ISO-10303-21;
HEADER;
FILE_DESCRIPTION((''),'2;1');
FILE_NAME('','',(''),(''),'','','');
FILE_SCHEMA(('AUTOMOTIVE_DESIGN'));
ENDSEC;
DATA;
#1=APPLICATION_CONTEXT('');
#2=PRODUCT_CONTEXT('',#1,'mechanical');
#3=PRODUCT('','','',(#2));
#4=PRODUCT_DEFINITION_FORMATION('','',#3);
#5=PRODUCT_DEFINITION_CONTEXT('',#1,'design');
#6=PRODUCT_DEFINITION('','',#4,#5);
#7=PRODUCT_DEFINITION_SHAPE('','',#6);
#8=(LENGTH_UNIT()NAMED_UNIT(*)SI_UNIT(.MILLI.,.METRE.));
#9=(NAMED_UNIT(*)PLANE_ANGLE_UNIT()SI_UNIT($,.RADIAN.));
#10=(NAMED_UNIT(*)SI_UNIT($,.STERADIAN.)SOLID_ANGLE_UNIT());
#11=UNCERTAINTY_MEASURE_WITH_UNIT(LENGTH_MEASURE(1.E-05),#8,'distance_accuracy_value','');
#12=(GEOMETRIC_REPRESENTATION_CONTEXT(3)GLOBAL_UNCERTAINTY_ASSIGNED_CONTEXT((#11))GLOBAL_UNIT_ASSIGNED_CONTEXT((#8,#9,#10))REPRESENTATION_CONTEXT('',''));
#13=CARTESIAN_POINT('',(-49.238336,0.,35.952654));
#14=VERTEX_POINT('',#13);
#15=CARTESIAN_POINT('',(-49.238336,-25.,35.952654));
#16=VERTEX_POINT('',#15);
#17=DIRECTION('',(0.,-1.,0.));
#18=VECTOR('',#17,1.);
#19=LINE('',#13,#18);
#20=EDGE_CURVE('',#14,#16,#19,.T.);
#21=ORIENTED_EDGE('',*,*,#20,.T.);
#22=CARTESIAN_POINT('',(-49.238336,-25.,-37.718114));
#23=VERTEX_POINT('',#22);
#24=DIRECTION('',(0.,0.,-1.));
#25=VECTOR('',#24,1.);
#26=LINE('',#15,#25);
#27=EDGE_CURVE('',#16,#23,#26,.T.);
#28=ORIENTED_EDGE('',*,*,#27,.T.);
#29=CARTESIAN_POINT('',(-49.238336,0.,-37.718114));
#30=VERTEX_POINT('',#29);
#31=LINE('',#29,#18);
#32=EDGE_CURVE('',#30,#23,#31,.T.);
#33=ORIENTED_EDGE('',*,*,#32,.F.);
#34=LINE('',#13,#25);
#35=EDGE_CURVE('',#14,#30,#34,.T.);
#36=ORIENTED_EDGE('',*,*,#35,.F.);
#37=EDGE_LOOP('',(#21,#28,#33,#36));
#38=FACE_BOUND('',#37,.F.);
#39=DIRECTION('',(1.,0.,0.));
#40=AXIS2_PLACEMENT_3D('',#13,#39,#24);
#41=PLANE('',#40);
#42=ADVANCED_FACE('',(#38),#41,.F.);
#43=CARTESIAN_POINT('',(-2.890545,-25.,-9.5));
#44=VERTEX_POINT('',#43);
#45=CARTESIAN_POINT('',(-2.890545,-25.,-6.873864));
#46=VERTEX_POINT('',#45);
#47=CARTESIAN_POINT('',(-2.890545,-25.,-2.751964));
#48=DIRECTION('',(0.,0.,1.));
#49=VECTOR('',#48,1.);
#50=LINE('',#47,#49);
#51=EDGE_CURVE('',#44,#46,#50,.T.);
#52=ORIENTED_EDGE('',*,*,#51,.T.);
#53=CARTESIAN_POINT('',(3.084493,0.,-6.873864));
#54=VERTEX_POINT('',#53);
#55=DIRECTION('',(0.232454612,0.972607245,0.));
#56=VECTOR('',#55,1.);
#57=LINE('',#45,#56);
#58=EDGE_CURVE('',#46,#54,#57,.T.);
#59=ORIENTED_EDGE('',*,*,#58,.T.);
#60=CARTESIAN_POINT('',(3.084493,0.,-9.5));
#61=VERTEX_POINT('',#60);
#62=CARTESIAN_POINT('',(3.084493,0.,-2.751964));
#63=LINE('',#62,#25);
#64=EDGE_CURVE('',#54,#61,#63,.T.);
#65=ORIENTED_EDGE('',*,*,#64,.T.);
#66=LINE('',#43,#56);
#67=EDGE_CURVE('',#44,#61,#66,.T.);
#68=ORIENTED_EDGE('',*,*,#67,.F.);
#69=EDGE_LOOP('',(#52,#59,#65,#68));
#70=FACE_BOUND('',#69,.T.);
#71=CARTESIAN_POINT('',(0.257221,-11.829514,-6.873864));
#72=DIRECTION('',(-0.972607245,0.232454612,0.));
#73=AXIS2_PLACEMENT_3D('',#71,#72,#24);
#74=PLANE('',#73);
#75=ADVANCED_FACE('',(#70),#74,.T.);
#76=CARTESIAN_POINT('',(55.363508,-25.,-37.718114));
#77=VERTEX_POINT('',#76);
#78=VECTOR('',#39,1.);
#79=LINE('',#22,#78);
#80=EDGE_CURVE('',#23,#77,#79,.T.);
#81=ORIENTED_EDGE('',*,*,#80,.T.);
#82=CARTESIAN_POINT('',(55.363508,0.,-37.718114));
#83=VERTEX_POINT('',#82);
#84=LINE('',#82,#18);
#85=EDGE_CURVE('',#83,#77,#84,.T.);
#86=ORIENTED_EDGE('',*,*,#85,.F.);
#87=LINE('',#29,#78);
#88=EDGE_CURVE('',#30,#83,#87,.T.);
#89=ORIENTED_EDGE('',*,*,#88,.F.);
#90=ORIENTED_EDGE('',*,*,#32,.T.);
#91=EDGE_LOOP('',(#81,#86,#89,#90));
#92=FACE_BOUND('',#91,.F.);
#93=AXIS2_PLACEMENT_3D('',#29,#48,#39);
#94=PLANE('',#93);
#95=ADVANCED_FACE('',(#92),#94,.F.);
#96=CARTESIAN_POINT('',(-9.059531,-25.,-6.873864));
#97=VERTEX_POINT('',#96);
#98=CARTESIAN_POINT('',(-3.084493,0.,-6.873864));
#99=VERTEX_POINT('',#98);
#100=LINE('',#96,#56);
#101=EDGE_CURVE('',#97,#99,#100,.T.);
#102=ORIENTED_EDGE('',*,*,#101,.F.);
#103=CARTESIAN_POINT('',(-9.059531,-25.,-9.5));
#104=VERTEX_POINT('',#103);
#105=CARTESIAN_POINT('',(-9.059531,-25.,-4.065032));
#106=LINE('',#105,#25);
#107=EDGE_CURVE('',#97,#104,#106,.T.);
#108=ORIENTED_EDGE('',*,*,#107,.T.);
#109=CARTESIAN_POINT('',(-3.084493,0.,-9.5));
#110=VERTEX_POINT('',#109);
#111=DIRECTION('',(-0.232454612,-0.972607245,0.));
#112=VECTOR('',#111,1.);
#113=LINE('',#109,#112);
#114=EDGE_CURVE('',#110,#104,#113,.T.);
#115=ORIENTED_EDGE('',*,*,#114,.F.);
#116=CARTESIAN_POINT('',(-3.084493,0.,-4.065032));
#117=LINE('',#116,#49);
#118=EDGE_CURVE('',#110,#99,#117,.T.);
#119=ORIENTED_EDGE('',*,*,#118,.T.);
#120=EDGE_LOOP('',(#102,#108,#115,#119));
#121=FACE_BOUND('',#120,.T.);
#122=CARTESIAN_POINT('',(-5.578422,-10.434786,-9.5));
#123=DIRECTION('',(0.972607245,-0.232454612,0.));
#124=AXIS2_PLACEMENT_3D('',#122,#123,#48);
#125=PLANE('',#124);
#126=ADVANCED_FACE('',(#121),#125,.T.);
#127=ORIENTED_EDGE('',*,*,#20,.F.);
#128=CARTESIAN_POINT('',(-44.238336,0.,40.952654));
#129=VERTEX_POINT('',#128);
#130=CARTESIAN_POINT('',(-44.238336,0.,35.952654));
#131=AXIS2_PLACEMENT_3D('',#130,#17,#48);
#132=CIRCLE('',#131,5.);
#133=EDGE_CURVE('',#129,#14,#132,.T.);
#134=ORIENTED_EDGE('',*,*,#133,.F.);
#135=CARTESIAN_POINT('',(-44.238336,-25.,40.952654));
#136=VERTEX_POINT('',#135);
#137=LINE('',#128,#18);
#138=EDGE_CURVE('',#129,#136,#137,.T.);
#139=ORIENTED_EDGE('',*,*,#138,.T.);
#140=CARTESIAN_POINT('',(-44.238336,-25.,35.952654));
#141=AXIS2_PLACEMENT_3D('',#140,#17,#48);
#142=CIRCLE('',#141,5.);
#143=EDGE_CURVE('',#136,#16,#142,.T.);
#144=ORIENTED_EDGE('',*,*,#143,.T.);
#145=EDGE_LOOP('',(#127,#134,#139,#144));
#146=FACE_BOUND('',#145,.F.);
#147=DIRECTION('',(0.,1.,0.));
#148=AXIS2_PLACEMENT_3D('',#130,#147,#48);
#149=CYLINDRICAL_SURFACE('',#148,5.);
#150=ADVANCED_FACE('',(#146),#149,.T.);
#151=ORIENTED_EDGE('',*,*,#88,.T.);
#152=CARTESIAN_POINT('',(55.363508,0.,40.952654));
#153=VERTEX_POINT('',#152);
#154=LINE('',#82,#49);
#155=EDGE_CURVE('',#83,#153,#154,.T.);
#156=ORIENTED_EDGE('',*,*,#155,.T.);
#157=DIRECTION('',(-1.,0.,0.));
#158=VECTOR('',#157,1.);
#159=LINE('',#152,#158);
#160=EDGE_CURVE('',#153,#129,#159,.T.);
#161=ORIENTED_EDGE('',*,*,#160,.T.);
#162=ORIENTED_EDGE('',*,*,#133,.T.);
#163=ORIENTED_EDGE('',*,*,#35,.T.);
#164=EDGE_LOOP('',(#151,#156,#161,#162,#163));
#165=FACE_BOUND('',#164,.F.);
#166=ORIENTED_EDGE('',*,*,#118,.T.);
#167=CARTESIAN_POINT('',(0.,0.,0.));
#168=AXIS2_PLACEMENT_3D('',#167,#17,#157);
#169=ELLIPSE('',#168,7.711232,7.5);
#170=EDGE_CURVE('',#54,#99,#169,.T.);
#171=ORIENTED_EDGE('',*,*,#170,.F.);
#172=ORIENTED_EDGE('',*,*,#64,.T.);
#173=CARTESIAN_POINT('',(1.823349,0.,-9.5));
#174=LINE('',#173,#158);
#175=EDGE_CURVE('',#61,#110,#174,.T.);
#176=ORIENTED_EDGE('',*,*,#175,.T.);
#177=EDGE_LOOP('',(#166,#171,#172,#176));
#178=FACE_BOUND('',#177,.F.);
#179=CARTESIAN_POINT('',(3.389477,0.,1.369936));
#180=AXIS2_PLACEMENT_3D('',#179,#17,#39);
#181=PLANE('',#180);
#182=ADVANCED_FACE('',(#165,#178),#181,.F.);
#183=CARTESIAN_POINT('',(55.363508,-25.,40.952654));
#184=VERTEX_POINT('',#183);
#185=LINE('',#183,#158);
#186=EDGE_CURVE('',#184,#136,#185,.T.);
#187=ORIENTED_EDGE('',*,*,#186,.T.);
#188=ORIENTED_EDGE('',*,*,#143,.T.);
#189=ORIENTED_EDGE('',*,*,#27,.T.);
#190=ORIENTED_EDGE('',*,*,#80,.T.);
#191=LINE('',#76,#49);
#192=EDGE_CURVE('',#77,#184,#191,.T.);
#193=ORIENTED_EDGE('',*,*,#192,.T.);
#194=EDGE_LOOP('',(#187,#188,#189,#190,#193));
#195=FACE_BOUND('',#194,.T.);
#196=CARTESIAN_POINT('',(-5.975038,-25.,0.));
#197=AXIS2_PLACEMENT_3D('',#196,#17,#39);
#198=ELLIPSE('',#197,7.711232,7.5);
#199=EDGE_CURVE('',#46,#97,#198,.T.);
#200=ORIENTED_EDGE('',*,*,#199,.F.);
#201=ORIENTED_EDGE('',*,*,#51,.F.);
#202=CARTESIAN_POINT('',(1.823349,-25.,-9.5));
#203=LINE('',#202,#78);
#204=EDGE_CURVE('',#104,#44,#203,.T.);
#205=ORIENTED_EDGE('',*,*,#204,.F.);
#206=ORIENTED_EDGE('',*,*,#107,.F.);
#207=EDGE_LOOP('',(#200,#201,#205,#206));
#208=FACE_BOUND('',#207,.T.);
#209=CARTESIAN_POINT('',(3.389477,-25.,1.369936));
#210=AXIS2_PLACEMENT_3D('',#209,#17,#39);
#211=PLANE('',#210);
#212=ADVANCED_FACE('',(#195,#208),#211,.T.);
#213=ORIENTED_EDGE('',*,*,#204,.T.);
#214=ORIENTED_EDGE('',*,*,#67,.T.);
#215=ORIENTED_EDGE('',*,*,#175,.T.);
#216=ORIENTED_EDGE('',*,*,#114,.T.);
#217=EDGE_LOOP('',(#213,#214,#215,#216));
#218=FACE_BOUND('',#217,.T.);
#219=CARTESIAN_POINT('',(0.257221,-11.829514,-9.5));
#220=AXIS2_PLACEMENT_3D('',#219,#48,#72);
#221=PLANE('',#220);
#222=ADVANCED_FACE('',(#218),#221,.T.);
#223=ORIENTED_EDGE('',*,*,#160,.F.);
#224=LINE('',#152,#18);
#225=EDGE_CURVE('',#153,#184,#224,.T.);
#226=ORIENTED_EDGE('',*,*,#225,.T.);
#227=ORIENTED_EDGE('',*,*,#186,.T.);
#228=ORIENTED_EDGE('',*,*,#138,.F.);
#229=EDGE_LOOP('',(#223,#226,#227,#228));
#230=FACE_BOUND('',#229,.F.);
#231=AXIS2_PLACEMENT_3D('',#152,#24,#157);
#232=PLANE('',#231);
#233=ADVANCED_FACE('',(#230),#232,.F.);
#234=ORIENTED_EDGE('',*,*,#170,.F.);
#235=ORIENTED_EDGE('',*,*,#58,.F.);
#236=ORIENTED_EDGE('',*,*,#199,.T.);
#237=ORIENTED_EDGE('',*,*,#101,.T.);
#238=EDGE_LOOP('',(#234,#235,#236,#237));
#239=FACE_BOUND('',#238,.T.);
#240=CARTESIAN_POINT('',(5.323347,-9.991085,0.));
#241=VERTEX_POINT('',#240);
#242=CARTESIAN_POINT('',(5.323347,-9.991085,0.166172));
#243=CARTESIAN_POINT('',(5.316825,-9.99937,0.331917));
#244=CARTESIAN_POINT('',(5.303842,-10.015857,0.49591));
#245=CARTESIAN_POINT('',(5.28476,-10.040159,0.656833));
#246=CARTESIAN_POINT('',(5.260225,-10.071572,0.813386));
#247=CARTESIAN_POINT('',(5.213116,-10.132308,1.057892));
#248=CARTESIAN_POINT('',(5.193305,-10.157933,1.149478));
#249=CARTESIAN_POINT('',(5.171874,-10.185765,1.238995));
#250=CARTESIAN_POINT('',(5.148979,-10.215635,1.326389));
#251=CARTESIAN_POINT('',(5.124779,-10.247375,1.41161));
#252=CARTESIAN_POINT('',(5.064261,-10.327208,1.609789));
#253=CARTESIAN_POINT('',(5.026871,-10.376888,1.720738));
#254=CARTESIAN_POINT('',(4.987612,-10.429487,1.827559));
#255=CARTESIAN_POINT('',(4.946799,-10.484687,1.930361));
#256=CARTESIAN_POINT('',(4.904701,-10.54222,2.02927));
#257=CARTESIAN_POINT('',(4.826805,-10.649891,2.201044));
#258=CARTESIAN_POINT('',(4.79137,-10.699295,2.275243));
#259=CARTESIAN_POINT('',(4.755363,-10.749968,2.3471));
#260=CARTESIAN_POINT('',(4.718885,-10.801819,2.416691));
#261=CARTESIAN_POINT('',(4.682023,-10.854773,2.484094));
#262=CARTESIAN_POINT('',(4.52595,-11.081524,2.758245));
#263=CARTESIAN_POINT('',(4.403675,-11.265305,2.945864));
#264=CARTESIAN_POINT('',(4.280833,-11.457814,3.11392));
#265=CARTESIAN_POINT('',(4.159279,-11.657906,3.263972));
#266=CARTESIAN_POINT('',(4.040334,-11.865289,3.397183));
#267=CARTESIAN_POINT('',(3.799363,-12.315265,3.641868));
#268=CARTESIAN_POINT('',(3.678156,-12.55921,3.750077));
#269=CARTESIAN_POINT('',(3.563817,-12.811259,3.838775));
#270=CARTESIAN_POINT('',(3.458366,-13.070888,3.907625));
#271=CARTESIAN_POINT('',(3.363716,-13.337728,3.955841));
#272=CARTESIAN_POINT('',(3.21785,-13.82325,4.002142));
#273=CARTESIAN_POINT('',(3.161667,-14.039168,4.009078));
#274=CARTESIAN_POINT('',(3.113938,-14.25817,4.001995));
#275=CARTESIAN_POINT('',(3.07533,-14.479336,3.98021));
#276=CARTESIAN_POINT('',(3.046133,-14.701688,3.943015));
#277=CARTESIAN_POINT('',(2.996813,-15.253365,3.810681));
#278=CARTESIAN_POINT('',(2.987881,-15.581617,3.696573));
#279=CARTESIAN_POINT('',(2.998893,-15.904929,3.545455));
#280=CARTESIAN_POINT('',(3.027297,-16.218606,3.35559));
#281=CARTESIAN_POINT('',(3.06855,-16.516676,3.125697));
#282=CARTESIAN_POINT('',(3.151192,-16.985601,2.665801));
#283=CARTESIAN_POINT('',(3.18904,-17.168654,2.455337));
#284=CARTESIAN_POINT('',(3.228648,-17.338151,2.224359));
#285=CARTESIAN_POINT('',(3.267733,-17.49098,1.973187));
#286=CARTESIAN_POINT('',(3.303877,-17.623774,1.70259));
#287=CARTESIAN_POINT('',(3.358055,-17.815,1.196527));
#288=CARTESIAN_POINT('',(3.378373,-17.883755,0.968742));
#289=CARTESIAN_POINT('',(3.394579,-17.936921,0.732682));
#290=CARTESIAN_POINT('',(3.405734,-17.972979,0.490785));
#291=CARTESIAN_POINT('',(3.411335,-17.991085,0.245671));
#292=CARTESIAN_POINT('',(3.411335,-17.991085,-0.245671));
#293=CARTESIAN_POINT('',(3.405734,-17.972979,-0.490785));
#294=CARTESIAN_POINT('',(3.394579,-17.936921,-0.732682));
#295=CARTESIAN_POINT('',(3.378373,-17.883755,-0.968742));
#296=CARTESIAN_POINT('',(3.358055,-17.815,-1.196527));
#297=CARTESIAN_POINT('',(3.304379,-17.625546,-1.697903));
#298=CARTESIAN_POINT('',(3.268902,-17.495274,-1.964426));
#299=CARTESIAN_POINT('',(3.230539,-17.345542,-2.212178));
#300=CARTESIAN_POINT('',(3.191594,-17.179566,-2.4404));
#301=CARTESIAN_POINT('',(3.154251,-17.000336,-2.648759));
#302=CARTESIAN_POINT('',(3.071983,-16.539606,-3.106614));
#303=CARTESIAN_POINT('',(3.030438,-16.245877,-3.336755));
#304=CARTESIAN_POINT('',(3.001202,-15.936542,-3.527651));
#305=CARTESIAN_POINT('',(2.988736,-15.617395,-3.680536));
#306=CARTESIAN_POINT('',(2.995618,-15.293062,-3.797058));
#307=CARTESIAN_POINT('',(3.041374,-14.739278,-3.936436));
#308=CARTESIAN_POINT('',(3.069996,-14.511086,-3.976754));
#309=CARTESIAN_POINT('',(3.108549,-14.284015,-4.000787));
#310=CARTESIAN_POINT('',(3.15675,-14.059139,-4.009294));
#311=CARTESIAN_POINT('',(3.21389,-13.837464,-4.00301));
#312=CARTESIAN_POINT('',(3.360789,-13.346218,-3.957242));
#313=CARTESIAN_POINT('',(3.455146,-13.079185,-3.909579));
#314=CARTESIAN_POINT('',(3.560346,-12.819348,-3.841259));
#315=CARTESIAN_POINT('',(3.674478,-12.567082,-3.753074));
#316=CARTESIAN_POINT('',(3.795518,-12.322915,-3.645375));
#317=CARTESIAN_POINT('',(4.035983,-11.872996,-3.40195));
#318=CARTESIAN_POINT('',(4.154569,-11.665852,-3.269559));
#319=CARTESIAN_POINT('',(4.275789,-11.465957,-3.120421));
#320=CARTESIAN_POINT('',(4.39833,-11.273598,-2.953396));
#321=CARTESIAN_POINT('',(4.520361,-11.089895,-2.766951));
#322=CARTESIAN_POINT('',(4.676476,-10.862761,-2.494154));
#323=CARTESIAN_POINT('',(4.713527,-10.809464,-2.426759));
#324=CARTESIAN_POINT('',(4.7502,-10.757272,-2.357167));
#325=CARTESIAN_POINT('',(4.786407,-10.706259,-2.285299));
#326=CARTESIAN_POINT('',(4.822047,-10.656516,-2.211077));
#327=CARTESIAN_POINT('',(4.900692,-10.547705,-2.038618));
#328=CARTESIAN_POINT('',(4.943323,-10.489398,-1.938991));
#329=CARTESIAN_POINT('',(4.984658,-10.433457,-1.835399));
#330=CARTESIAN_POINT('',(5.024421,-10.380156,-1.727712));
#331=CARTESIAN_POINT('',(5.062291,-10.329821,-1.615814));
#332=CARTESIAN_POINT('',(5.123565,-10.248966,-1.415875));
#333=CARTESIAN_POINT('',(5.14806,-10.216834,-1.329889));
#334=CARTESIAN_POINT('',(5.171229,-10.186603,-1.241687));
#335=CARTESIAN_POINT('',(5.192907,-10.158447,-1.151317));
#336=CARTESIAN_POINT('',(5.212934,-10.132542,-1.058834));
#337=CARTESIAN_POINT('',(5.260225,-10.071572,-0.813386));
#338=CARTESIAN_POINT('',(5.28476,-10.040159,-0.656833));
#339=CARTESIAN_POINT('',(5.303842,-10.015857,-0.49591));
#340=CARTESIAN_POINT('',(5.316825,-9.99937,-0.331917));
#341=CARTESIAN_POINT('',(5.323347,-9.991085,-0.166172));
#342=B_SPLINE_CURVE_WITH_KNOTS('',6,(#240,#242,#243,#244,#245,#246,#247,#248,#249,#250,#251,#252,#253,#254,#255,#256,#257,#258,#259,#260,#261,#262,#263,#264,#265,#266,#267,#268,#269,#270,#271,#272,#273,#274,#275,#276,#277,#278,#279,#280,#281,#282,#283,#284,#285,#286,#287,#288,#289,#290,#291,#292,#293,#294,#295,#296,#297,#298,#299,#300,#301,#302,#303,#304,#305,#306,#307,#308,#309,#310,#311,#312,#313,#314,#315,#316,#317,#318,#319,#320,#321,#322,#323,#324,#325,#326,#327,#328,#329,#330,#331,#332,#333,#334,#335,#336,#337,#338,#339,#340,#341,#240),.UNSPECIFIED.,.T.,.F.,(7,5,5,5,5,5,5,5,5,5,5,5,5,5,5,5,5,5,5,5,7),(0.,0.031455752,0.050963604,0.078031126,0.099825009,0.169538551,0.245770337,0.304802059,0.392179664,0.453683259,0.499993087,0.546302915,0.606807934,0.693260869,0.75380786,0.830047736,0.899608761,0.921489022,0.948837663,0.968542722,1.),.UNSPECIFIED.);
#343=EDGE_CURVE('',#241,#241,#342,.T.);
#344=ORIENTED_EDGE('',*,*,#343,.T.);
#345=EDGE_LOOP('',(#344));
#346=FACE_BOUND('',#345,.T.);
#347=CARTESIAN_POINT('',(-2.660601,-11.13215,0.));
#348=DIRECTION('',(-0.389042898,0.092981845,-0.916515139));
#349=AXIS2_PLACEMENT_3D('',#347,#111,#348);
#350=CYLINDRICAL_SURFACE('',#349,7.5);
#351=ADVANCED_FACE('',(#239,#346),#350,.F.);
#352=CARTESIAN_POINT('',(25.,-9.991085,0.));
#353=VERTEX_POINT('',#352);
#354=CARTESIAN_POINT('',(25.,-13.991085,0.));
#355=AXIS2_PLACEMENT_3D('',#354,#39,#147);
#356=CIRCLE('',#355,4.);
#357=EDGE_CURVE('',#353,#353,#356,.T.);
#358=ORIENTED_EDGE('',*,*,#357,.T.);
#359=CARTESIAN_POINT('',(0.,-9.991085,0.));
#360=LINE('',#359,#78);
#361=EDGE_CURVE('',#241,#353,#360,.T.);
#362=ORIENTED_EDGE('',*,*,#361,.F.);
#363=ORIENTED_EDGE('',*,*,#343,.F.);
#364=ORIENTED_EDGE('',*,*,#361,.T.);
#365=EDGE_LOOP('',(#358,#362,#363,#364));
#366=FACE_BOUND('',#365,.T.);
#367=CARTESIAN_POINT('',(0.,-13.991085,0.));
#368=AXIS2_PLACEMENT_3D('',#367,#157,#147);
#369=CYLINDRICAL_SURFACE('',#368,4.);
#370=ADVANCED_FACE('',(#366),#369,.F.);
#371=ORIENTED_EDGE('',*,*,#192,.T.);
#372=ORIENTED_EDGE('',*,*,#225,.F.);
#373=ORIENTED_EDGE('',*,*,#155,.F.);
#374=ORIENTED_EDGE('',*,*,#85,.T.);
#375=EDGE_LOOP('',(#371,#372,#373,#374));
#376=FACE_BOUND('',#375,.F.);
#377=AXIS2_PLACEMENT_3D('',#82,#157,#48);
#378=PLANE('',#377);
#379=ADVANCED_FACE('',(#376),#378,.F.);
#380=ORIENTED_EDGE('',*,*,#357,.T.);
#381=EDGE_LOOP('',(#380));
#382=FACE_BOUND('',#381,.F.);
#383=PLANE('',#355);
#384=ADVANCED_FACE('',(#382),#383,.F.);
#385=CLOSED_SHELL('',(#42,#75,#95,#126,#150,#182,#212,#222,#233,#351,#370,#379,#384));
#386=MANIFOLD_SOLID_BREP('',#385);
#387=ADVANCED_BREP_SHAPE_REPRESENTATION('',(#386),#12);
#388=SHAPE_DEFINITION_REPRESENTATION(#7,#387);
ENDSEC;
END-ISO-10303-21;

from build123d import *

# Parameters (mm, degrees)
F1_DEPTH      = 25
F4_DEPTH      = 24.3161811297
F4_DEPTH_BACK = 24.3161811297
F5_R          = 4
F6_DEPTH      = 25


with BuildPart() as f1:
    # F0 (on Front) → F1 (new body)
    with BuildSketch(Plane.XZ):
        with BuildLine():
            Line((55.3635079414, 40.9526537359), (-44.2383363843, 40.9526537359))
            ThreePointArc((-44.2383363843, 40.9526537359), (-47.7738702902, 39.4881876418), (-49.2383363843, 35.9526537359))
            Line((-49.2383363843, 35.9526537359), (-49.2383363843, -37.7181139815))
            Line((-49.2383363843, -37.7181139815), (55.3635079414, -37.7181139815))
            Line((55.3635079414, -37.7181139815), (55.3635079414, 40.9526537359))
        make_face()
    extrude(amount=F1_DEPTH)

    # F3 (on 3pt) → F4 (cut, two sides)
    with BuildSketch(Plane(origin=(-2.6606007252, -11.1321497148, 0), x_dir=(-0.9726072452, 0.2324546119, 0), z_dir=(0.2324546119, 0.9726072452, 0))) as f4_sk:
        with BuildLine():
            Line((3, -9.5), (3, -6.8738635424))
            ThreePointArc((3, -6.8738635424), (0, 7.5), (-3, -6.8738635424))
            Line((-3, -6.8738635424), (-3, -9.5))
            Line((-3, -9.5), (3, -9.5))
        make_face()
    extrude(amount=-F4_DEPTH, mode=Mode.SUBTRACT)
    extrude(f4_sk.sketch, amount=F4_DEPTH_BACK, mode=Mode.SUBTRACT)

    # F5 (on Right) → F6 (cut)
    with BuildSketch(Plane.YZ):
        with Locations((-13.9910853659, 0)):
            Circle(F5_R)
    extrude(amount=F6_DEPTH, mode=Mode.SUBTRACT)


solid = f1.part
